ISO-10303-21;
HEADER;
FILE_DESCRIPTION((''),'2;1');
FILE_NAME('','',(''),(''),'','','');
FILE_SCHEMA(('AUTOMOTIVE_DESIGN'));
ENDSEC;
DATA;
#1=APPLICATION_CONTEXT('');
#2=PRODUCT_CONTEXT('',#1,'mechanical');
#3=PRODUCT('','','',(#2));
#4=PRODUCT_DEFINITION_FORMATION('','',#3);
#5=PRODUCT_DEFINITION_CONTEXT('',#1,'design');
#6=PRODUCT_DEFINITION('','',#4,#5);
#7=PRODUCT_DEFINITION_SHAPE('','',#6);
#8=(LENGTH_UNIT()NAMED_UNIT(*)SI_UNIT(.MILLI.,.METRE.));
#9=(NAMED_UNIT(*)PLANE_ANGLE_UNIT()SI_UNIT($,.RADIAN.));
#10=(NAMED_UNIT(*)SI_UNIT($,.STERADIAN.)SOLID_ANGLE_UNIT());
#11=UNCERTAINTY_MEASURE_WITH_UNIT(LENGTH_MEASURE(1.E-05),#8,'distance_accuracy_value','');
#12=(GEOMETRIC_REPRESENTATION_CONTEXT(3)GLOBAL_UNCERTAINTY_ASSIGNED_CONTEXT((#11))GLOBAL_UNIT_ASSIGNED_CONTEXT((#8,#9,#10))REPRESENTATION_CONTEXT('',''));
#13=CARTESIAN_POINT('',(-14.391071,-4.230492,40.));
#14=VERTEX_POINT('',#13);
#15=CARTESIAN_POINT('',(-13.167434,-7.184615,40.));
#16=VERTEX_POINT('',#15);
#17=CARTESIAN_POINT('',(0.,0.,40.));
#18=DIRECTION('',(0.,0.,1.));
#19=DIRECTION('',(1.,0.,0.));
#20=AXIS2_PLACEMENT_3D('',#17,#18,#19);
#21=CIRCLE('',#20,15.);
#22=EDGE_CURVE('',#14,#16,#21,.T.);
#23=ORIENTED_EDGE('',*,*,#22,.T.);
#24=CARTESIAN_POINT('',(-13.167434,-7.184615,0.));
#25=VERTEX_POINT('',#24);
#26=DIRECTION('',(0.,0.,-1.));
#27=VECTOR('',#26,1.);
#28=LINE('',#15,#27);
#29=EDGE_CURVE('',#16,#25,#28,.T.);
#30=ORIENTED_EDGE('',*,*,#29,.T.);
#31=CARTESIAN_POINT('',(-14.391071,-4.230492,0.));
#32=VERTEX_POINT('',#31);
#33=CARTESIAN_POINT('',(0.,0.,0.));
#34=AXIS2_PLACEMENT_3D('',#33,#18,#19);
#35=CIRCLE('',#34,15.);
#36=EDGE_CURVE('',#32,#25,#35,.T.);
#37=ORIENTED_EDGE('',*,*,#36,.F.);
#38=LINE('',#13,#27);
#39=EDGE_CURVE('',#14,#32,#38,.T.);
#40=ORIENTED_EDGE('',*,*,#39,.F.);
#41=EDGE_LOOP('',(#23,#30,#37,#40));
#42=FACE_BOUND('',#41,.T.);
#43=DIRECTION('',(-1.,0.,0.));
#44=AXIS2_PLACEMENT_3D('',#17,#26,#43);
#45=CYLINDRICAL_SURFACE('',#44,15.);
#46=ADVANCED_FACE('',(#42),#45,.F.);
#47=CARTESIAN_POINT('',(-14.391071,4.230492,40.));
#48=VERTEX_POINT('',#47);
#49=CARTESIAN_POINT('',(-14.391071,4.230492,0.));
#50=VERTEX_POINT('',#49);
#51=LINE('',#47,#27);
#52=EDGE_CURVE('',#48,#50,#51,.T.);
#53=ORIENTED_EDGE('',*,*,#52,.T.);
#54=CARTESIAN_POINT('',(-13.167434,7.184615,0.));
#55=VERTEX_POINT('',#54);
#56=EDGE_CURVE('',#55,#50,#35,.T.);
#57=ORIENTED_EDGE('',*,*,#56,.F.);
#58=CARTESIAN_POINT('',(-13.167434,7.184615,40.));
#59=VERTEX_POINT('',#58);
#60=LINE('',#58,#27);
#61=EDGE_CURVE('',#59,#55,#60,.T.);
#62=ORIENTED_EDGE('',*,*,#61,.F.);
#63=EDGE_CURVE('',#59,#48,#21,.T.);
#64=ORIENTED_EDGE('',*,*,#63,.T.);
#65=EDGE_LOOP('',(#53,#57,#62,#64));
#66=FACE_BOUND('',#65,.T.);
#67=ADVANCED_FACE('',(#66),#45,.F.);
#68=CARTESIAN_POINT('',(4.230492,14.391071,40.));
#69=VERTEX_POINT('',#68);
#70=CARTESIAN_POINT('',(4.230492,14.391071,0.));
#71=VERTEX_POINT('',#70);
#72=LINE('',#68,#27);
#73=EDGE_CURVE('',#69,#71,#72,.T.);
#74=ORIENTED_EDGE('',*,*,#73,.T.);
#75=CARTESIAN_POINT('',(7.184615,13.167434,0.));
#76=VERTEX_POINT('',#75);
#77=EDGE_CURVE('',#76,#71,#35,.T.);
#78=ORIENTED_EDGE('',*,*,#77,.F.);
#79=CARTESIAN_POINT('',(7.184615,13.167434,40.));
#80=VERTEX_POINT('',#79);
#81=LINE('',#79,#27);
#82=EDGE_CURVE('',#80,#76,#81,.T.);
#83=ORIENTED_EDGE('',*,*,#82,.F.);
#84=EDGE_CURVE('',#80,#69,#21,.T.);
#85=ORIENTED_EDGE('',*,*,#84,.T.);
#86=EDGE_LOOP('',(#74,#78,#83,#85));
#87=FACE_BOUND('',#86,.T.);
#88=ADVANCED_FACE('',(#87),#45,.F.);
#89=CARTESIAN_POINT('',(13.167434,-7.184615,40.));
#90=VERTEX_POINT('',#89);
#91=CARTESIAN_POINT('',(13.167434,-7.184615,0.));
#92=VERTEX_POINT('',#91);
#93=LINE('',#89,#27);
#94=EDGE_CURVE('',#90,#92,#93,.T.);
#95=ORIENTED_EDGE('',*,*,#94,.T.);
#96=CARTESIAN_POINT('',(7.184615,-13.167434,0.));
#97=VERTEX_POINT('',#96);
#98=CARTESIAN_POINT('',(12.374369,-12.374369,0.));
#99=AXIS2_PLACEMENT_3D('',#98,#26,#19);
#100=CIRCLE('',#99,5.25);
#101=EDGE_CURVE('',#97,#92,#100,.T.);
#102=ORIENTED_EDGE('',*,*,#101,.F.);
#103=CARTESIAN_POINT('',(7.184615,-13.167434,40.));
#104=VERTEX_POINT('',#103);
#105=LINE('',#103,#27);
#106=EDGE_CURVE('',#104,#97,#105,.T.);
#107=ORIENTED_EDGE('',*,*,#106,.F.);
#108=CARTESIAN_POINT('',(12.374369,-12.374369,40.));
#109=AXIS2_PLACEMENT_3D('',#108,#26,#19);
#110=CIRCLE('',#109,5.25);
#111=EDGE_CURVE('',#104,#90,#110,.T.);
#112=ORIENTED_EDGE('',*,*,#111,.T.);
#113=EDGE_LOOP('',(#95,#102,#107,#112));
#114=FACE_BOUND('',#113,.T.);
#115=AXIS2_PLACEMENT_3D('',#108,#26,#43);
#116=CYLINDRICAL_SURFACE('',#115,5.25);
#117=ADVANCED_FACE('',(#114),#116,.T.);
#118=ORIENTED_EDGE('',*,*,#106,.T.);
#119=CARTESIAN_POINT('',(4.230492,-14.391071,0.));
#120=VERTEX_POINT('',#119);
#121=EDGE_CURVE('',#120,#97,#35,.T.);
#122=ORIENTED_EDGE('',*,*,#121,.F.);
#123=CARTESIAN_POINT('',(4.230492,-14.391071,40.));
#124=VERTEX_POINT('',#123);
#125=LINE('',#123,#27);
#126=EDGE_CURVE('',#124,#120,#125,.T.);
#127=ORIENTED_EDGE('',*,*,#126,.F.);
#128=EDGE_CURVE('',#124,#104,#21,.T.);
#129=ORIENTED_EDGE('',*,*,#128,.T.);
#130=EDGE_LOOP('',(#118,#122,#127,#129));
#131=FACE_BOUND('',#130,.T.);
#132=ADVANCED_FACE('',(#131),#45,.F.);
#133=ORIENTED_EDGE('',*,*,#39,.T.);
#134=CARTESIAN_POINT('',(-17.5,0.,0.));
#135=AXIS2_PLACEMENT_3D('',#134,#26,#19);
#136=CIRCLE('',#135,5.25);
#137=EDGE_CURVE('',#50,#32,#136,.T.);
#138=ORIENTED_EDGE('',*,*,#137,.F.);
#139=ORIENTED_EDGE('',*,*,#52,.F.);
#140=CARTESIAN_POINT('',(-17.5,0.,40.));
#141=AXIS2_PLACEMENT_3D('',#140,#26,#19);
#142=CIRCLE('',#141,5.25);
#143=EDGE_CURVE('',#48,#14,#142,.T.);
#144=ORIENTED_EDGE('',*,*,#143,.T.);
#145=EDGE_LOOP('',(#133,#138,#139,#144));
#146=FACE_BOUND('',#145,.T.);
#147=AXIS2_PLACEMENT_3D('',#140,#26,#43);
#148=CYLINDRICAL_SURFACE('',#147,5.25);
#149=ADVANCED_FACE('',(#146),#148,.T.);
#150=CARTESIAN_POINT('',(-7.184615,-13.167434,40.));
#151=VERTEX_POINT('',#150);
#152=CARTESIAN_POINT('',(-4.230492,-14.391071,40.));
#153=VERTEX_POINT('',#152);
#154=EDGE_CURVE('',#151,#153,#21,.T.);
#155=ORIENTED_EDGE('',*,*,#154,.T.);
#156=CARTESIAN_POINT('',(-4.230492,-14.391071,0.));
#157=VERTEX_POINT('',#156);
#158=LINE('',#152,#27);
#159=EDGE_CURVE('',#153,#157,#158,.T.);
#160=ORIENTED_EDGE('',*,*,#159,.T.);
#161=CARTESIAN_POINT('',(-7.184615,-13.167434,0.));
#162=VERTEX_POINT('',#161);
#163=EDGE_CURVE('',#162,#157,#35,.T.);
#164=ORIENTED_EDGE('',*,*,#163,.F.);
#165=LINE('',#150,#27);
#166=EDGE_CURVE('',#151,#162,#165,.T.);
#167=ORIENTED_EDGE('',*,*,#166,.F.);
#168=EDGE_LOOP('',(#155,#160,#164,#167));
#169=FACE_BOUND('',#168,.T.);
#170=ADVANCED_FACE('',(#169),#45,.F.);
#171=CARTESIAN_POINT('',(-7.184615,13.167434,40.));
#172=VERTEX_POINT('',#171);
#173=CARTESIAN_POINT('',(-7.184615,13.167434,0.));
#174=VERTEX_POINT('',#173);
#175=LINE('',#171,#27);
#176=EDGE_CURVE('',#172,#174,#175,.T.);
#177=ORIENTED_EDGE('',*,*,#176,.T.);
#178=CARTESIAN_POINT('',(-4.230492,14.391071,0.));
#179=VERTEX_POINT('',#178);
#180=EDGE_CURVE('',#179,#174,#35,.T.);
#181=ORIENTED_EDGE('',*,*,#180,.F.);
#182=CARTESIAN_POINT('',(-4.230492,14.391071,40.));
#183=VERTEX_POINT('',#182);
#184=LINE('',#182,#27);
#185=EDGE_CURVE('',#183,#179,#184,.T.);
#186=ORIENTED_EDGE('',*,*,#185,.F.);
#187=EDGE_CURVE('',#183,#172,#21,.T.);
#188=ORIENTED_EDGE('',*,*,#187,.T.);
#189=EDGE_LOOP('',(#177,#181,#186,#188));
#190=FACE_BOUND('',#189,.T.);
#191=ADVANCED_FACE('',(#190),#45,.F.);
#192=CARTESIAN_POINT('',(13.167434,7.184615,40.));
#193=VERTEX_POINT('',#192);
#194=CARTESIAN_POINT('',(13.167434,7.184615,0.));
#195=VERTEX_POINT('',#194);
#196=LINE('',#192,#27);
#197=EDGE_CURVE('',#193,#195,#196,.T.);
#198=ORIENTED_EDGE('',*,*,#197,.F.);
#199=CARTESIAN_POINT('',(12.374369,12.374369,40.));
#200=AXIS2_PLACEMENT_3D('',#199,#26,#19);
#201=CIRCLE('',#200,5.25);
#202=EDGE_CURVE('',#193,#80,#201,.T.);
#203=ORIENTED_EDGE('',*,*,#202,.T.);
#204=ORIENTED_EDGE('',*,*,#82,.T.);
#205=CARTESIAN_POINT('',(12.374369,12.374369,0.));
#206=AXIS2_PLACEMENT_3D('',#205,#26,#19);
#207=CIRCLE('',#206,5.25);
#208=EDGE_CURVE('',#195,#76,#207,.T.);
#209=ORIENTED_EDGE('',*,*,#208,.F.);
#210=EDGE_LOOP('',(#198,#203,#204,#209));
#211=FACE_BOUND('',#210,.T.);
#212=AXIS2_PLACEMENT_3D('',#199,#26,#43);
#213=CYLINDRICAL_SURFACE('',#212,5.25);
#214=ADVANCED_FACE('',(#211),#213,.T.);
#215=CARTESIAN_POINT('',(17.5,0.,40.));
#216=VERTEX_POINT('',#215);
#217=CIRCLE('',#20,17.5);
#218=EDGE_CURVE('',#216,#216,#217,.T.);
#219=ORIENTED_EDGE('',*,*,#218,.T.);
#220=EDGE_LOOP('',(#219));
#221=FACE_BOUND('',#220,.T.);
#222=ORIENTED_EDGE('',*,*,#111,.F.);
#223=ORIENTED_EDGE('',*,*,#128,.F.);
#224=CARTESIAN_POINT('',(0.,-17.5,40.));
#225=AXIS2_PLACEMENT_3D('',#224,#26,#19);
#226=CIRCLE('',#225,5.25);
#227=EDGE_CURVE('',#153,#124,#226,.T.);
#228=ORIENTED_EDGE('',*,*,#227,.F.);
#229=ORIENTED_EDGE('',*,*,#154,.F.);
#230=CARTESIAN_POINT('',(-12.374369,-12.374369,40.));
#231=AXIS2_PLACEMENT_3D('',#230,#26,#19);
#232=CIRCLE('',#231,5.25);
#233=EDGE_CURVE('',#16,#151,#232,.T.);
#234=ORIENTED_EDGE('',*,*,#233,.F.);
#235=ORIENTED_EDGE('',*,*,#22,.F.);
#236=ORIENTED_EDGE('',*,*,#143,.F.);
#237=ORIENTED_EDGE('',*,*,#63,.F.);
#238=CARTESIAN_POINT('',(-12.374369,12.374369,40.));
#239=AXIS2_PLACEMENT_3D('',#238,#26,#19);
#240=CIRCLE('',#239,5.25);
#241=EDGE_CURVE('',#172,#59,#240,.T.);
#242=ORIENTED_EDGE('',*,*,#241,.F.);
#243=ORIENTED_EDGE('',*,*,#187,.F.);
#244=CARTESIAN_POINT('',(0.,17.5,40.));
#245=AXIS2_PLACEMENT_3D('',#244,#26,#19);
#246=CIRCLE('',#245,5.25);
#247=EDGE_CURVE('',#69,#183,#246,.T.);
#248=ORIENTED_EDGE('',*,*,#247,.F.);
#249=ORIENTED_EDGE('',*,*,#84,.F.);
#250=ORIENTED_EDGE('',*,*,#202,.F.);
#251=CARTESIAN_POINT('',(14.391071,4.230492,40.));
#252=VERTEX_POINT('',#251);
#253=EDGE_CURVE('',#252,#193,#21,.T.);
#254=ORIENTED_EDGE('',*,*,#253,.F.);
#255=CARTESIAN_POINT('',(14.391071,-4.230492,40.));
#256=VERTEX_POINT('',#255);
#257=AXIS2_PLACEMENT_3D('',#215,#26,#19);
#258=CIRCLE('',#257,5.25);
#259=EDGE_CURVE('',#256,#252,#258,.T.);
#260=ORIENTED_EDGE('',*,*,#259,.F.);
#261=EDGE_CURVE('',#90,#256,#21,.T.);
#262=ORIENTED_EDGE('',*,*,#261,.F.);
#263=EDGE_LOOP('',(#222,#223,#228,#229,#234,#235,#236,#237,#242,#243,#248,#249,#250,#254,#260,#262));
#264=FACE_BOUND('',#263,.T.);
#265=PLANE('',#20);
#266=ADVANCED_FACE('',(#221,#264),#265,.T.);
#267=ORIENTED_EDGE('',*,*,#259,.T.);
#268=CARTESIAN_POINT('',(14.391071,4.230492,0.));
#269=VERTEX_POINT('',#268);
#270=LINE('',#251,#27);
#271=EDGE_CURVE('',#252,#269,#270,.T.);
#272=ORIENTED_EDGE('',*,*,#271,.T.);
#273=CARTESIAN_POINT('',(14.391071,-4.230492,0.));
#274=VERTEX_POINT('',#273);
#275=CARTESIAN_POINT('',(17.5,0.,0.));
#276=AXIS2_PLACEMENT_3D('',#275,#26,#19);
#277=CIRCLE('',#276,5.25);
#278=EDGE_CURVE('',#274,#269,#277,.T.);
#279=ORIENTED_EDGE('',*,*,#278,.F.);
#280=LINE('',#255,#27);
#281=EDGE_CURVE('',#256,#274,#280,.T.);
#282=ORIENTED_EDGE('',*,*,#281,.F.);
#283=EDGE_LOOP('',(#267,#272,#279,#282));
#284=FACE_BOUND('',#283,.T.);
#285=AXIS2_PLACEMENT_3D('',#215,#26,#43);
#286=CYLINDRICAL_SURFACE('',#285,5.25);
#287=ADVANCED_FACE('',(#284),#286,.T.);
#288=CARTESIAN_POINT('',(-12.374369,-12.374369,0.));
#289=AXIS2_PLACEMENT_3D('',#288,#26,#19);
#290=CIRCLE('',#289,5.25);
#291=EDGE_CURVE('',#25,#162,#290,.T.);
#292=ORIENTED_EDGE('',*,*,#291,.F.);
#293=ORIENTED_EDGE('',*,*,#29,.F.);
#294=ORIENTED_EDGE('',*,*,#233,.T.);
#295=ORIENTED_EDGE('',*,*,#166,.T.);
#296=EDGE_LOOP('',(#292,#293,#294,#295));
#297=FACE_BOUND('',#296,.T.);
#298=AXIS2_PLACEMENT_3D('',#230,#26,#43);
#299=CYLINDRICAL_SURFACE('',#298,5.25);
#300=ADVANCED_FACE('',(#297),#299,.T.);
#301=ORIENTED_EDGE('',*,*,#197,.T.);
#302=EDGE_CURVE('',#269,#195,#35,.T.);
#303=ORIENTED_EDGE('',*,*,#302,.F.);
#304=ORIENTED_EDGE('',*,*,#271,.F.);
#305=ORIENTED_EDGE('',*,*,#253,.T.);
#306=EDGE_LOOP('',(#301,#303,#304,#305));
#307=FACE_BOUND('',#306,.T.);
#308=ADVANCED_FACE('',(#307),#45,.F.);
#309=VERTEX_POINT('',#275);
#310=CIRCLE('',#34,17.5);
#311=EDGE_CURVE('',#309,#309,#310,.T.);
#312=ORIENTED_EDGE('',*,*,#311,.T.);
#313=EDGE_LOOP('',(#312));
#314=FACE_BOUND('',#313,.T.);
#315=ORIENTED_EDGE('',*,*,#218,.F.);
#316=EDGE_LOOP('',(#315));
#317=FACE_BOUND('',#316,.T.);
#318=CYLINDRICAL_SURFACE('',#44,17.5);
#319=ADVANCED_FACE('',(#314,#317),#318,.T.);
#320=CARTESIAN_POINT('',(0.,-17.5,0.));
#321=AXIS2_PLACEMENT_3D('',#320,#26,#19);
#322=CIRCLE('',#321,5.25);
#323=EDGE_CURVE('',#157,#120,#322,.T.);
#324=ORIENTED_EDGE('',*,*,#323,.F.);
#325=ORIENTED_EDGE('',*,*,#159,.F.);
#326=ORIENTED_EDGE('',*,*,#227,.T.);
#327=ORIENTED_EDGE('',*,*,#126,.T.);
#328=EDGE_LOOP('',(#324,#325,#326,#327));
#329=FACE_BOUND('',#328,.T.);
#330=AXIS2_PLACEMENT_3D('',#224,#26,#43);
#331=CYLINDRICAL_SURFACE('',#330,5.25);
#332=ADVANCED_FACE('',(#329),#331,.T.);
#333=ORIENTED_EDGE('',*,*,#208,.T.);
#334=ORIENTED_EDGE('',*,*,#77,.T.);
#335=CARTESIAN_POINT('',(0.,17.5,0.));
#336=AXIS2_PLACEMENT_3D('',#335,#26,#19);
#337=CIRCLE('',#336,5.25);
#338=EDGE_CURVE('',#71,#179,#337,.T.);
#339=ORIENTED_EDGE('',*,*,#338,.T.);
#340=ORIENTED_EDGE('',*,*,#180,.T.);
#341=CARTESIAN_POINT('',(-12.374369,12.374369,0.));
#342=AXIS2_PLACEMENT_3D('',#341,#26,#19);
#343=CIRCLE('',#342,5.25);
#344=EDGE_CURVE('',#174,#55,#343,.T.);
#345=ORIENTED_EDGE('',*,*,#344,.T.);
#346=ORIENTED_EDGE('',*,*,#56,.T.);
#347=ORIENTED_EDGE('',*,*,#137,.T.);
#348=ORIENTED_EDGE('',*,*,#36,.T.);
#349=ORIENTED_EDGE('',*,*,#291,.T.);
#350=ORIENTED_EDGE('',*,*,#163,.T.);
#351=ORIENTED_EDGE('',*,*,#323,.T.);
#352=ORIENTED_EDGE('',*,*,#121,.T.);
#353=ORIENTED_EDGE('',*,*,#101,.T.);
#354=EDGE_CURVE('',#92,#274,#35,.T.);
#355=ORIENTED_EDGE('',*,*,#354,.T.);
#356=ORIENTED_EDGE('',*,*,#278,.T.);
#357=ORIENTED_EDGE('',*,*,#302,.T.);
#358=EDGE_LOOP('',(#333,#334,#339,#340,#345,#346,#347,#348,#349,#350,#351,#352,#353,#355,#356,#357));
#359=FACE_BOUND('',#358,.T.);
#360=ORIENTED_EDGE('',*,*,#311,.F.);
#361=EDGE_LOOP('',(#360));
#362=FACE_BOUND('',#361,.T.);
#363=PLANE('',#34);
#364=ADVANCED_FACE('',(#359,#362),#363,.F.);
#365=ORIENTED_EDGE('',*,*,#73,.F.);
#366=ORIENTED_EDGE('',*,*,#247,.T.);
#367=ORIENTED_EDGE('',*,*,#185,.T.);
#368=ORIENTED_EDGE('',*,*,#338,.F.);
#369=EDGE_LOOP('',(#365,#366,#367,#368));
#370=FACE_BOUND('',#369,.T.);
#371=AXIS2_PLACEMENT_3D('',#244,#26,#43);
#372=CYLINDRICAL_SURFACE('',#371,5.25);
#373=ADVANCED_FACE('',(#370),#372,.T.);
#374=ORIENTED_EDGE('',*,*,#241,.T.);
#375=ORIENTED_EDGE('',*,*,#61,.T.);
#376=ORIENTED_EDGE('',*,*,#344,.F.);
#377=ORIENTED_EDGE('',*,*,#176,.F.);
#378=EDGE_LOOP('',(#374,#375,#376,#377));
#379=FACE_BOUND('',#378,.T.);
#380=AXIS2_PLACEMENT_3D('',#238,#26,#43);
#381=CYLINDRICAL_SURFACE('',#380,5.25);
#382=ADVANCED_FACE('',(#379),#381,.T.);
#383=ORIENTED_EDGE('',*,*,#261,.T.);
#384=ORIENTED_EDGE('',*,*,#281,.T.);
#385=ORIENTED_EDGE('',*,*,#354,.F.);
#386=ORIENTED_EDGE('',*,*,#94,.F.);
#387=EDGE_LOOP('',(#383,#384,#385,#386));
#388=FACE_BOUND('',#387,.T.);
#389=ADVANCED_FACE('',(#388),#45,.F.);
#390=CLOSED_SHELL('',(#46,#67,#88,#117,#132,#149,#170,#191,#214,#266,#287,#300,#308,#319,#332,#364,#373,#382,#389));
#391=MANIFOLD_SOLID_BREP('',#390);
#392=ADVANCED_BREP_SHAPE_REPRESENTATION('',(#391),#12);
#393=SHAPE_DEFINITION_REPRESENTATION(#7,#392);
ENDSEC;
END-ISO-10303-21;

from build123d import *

# Parameters (mm, degrees)
SKETCH1_R           = 17.5
BOSS_EXTRUDE1_DEPTH = 40


with BuildPart() as part:
    # Sketch1 → Boss-Extrude1 (new body)
    with BuildSketch(Plane.XY):
        Circle(SKETCH1_R)
        with BuildLine():
            ThreePointArc((-13.167433825, 7.184614567), (-13.858192988, 5.740251485), (-14.391071429, 4.230492068))
            ThreePointArc((-14.391071429, 4.230492068), (-12.25, 0), (-14.391071429, -4.230492068))
            ThreePointArc((-14.391071429, -4.230492068), (-13.858192988, -5.740251485), (-13.167433825, -7.184614567))
            ThreePointArc((-13.167433825, -7.184614567), (-8.66205807, -8.66205807), (-7.184614567, -13.167433825))
            ThreePointArc((-7.184614567, -13.167433825), (-5.740251485, -13.858192988), (-4.230492068, -14.391071429))
            ThreePointArc((-4.230492068, -14.391071429), (0, -12.25), (4.230492068, -14.391071429))
            ThreePointArc((4.230492068, -14.391071429), (5.740251485, -13.858192988), (7.184614567, -13.167433825))
            ThreePointArc((7.184614567, -13.167433825), (8.66205807, -8.66205807), (13.167433825, -7.184614567))
            ThreePointArc((13.167433825, -7.184614567), (13.858192988, -5.740251485), (14.391071429, -4.230492068))
            ThreePointArc((14.391071429, -4.230492068), (12.25, 0), (14.391071429, 4.230492068))
            ThreePointArc((14.391071429, 4.230492068), (13.858192988, 5.740251485), (13.167433825, 7.184614567))
            ThreePointArc((13.167433825, 7.184614567), (8.66205807, 8.66205807), (7.184614567, 13.167433825))
            ThreePointArc((7.184614567, 13.167433825), (5.740251485, 13.858192988), (4.230492068, 14.391071429))
            ThreePointArc((4.230492068, 14.391071429), (0, 12.25), (-4.230492068, 14.391071429))
            ThreePointArc((-4.230492068, 14.391071429), (-5.740251485, 13.858192988), (-7.184614567, 13.167433825))
            ThreePointArc((-7.184614567, 13.167433825), (-8.66205807, 8.66205807), (-13.167433825, 7.184614567))
        make_face(mode=Mode.SUBTRACT)
    extrude(amount=BOSS_EXTRUDE1_DEPTH)


solid = part.part
